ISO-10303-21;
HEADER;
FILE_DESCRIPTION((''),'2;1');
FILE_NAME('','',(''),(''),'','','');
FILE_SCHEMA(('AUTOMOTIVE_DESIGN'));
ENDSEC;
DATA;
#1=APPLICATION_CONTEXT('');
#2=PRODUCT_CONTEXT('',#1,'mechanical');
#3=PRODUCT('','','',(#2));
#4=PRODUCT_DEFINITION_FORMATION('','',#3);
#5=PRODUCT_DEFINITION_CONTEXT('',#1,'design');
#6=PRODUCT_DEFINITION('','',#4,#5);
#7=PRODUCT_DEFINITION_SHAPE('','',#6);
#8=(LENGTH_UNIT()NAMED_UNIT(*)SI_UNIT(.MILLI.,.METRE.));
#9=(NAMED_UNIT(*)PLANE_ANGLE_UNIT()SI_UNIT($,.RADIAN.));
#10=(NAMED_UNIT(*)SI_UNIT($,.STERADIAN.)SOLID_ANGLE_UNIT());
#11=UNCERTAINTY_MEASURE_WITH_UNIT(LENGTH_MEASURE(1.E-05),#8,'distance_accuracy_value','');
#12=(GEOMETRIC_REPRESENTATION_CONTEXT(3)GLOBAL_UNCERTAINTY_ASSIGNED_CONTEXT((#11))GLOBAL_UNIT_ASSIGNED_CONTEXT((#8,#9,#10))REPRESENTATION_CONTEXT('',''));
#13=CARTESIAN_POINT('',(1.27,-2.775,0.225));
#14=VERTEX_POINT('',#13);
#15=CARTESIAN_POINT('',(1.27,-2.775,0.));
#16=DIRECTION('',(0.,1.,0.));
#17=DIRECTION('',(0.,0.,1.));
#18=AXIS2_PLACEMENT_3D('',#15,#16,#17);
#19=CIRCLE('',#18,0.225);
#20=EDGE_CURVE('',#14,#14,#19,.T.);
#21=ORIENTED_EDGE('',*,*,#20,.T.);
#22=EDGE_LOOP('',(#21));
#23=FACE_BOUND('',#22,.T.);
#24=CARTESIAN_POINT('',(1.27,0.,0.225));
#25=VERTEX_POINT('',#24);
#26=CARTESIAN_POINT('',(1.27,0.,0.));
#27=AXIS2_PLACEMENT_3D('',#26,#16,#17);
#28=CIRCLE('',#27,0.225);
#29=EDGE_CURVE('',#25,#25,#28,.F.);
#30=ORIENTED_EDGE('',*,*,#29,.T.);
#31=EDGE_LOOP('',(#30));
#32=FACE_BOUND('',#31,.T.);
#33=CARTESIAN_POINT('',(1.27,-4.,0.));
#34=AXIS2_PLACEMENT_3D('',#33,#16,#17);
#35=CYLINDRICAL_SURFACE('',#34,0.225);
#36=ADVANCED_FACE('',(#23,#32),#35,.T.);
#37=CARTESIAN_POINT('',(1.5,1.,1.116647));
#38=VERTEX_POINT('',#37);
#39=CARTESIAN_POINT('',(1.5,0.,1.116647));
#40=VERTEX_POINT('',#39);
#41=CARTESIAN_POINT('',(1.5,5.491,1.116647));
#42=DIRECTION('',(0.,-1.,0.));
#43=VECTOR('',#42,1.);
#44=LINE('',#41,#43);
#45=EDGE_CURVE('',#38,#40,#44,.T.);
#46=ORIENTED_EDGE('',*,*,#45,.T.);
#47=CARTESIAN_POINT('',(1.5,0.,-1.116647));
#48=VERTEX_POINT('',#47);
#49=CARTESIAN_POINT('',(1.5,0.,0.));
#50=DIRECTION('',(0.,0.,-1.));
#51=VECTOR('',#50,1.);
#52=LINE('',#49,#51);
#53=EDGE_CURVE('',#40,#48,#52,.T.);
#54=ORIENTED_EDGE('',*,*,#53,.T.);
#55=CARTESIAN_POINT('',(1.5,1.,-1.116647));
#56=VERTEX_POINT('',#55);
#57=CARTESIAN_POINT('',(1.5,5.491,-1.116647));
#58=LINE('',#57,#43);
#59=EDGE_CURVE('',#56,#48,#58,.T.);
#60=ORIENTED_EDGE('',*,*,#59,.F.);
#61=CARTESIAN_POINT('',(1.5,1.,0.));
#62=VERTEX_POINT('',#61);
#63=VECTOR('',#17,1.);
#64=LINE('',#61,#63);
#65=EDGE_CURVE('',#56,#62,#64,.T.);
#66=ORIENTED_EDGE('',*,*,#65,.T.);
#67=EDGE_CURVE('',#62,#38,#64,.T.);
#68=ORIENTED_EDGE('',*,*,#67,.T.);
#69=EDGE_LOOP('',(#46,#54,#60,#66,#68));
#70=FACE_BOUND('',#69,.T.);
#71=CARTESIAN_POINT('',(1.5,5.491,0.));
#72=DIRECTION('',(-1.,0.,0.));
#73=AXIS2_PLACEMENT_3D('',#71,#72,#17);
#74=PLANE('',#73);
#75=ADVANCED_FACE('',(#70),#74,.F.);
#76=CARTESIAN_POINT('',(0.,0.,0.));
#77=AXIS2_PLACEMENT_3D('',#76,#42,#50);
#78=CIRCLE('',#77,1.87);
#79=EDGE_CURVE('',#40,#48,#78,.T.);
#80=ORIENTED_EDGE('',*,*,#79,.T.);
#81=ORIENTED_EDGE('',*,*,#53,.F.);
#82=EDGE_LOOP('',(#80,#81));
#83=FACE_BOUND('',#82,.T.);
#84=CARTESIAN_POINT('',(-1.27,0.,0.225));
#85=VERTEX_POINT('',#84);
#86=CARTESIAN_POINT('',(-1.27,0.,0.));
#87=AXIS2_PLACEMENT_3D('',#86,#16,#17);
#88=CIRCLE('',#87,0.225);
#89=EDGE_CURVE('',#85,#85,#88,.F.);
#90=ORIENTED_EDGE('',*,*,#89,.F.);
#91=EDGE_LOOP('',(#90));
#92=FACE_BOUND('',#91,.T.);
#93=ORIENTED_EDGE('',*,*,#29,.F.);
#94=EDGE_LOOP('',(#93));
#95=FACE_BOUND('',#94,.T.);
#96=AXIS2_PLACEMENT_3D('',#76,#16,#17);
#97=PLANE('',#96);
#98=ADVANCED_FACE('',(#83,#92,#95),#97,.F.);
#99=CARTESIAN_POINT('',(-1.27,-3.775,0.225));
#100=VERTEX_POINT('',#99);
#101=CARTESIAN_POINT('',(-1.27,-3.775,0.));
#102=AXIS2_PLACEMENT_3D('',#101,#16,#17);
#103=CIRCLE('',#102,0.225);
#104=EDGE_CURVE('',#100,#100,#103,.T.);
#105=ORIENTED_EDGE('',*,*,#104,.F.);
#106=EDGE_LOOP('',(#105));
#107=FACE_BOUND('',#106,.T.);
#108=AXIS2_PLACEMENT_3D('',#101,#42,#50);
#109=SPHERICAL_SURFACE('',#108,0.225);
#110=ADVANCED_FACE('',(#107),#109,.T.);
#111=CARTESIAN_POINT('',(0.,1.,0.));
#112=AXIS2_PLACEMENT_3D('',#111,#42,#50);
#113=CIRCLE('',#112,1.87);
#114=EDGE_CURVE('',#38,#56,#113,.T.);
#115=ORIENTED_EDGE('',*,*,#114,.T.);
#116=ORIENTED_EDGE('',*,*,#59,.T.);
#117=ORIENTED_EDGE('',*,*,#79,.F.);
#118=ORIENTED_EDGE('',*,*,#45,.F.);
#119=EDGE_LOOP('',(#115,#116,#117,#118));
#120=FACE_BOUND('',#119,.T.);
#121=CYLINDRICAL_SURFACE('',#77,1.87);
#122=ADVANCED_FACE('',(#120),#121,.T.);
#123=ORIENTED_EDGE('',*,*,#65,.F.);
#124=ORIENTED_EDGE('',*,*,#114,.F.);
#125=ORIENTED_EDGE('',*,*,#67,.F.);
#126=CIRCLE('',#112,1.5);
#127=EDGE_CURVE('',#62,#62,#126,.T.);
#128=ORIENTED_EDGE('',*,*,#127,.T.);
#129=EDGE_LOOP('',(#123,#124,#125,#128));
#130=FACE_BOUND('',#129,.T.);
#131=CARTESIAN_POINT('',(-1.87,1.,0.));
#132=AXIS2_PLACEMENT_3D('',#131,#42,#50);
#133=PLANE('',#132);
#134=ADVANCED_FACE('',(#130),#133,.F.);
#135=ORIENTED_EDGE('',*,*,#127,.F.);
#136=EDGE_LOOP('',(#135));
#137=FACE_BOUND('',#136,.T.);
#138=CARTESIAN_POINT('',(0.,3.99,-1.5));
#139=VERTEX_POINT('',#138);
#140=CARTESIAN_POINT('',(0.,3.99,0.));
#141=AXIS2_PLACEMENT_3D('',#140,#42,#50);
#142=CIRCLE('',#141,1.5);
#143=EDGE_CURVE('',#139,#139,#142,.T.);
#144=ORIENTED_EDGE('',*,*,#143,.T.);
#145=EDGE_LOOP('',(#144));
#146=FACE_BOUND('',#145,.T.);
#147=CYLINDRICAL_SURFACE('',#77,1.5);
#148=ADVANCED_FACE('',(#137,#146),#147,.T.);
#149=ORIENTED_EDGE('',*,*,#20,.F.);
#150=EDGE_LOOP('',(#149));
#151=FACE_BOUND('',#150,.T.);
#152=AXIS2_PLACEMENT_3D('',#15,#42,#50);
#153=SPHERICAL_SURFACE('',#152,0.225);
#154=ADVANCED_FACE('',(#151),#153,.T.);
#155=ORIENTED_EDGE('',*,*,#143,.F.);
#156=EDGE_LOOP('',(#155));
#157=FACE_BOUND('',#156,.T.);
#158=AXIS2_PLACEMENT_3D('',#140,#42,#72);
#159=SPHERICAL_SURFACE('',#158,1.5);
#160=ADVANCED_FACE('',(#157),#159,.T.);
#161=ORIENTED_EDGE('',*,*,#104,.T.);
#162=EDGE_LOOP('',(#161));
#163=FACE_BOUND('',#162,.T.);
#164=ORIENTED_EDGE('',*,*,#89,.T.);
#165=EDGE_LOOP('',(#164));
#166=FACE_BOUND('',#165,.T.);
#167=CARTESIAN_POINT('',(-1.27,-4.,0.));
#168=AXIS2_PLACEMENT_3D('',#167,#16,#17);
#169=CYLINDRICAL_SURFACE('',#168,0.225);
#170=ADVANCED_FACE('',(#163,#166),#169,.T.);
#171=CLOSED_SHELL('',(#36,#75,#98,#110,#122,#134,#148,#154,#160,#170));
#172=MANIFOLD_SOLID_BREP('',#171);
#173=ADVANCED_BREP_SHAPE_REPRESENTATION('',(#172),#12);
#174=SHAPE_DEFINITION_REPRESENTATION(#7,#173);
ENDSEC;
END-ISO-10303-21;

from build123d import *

# Parameters (mm, degrees)
CORTAR_EXTRUIR1_REACH   = 7.49
CROQUIS1_R              = 0.225
SALIENTE_EXTRUIR1_DEPTH = 4
CROQUIS2_R              = 0.225
CORTAR_EXTRUIR2_DEPTH   = 1
REDONDEO1_R             = 0.225


with BuildPart() as part:
    # Sketch2 → Revolve1 (revolve)
    with BuildSketch(Plane.XY):
        with BuildLine():
            Line((0, 0), (-1.87, 0))
            Line((-1.87, 0), (-1.87, 1))
            Line((-1.87, 1), (-1.5, 1))
            Line((-1.5, 1), (-1.5, 3.99))
            ThreePointArc((-1.5, 3.99), (-1.060660172, 5.050660172), (0, 5.49))
            Line((0, 5.49), (0, 0))
        make_face()
    revolve(axis=Axis((0, 0, 0), (0, 1, 0)))

    # Sketch3 → Cortar-Extruir1 (cut, up to next)
    with BuildSketch(Plane.XZ, mode=Mode.PRIVATE) as cortar_extruir1_sk1:
        Polygon((1.5, 20.122635641), (1.5, 1.116646766), (1.5, -1.116646766), (1.5, -20.122635641), (39.51197775, -20.122635641), (39.51197775, 20.122635641), align=None)
    cortar_extruir1_tool1 = extrude(cortar_extruir1_sk1.sketch, amount=-CORTAR_EXTRUIR1_REACH, mode=Mode.PRIVATE) & part.part
    add(cortar_extruir1_tool1.solids().sort_by_distance((20.505989, 0, 0))[0], mode=Mode.SUBTRACT)

    # Croquis1 → Saliente-Extruir1 (add)
    with BuildSketch(Plane.XZ):
        with Locations((1.27, 0)):
            Circle(CROQUIS1_R)
        with Locations((-1.27, 0)):
            Circle(CROQUIS1_R)
    extrude(amount=SALIENTE_EXTRUIR1_DEPTH)

    # Croquis2 → Cortar-Extruir2 (cut)
    with BuildSketch(Plane.XZ.offset(4)):
        with Locations((1.27, 0)):
            Circle(CROQUIS2_R)
    extrude(amount=-CORTAR_EXTRUIR2_DEPTH, mode=Mode.SUBTRACT)

    # Redondeo1
    redondeo1_edges = [part.edges().sort_by_distance(p)[0] for p in [
        (-1.495, -4, 0),
        (1.045, -3, 0),
    ]]
    fillet(redondeo1_edges, radius=REDONDEO1_R)


solid = part.part
